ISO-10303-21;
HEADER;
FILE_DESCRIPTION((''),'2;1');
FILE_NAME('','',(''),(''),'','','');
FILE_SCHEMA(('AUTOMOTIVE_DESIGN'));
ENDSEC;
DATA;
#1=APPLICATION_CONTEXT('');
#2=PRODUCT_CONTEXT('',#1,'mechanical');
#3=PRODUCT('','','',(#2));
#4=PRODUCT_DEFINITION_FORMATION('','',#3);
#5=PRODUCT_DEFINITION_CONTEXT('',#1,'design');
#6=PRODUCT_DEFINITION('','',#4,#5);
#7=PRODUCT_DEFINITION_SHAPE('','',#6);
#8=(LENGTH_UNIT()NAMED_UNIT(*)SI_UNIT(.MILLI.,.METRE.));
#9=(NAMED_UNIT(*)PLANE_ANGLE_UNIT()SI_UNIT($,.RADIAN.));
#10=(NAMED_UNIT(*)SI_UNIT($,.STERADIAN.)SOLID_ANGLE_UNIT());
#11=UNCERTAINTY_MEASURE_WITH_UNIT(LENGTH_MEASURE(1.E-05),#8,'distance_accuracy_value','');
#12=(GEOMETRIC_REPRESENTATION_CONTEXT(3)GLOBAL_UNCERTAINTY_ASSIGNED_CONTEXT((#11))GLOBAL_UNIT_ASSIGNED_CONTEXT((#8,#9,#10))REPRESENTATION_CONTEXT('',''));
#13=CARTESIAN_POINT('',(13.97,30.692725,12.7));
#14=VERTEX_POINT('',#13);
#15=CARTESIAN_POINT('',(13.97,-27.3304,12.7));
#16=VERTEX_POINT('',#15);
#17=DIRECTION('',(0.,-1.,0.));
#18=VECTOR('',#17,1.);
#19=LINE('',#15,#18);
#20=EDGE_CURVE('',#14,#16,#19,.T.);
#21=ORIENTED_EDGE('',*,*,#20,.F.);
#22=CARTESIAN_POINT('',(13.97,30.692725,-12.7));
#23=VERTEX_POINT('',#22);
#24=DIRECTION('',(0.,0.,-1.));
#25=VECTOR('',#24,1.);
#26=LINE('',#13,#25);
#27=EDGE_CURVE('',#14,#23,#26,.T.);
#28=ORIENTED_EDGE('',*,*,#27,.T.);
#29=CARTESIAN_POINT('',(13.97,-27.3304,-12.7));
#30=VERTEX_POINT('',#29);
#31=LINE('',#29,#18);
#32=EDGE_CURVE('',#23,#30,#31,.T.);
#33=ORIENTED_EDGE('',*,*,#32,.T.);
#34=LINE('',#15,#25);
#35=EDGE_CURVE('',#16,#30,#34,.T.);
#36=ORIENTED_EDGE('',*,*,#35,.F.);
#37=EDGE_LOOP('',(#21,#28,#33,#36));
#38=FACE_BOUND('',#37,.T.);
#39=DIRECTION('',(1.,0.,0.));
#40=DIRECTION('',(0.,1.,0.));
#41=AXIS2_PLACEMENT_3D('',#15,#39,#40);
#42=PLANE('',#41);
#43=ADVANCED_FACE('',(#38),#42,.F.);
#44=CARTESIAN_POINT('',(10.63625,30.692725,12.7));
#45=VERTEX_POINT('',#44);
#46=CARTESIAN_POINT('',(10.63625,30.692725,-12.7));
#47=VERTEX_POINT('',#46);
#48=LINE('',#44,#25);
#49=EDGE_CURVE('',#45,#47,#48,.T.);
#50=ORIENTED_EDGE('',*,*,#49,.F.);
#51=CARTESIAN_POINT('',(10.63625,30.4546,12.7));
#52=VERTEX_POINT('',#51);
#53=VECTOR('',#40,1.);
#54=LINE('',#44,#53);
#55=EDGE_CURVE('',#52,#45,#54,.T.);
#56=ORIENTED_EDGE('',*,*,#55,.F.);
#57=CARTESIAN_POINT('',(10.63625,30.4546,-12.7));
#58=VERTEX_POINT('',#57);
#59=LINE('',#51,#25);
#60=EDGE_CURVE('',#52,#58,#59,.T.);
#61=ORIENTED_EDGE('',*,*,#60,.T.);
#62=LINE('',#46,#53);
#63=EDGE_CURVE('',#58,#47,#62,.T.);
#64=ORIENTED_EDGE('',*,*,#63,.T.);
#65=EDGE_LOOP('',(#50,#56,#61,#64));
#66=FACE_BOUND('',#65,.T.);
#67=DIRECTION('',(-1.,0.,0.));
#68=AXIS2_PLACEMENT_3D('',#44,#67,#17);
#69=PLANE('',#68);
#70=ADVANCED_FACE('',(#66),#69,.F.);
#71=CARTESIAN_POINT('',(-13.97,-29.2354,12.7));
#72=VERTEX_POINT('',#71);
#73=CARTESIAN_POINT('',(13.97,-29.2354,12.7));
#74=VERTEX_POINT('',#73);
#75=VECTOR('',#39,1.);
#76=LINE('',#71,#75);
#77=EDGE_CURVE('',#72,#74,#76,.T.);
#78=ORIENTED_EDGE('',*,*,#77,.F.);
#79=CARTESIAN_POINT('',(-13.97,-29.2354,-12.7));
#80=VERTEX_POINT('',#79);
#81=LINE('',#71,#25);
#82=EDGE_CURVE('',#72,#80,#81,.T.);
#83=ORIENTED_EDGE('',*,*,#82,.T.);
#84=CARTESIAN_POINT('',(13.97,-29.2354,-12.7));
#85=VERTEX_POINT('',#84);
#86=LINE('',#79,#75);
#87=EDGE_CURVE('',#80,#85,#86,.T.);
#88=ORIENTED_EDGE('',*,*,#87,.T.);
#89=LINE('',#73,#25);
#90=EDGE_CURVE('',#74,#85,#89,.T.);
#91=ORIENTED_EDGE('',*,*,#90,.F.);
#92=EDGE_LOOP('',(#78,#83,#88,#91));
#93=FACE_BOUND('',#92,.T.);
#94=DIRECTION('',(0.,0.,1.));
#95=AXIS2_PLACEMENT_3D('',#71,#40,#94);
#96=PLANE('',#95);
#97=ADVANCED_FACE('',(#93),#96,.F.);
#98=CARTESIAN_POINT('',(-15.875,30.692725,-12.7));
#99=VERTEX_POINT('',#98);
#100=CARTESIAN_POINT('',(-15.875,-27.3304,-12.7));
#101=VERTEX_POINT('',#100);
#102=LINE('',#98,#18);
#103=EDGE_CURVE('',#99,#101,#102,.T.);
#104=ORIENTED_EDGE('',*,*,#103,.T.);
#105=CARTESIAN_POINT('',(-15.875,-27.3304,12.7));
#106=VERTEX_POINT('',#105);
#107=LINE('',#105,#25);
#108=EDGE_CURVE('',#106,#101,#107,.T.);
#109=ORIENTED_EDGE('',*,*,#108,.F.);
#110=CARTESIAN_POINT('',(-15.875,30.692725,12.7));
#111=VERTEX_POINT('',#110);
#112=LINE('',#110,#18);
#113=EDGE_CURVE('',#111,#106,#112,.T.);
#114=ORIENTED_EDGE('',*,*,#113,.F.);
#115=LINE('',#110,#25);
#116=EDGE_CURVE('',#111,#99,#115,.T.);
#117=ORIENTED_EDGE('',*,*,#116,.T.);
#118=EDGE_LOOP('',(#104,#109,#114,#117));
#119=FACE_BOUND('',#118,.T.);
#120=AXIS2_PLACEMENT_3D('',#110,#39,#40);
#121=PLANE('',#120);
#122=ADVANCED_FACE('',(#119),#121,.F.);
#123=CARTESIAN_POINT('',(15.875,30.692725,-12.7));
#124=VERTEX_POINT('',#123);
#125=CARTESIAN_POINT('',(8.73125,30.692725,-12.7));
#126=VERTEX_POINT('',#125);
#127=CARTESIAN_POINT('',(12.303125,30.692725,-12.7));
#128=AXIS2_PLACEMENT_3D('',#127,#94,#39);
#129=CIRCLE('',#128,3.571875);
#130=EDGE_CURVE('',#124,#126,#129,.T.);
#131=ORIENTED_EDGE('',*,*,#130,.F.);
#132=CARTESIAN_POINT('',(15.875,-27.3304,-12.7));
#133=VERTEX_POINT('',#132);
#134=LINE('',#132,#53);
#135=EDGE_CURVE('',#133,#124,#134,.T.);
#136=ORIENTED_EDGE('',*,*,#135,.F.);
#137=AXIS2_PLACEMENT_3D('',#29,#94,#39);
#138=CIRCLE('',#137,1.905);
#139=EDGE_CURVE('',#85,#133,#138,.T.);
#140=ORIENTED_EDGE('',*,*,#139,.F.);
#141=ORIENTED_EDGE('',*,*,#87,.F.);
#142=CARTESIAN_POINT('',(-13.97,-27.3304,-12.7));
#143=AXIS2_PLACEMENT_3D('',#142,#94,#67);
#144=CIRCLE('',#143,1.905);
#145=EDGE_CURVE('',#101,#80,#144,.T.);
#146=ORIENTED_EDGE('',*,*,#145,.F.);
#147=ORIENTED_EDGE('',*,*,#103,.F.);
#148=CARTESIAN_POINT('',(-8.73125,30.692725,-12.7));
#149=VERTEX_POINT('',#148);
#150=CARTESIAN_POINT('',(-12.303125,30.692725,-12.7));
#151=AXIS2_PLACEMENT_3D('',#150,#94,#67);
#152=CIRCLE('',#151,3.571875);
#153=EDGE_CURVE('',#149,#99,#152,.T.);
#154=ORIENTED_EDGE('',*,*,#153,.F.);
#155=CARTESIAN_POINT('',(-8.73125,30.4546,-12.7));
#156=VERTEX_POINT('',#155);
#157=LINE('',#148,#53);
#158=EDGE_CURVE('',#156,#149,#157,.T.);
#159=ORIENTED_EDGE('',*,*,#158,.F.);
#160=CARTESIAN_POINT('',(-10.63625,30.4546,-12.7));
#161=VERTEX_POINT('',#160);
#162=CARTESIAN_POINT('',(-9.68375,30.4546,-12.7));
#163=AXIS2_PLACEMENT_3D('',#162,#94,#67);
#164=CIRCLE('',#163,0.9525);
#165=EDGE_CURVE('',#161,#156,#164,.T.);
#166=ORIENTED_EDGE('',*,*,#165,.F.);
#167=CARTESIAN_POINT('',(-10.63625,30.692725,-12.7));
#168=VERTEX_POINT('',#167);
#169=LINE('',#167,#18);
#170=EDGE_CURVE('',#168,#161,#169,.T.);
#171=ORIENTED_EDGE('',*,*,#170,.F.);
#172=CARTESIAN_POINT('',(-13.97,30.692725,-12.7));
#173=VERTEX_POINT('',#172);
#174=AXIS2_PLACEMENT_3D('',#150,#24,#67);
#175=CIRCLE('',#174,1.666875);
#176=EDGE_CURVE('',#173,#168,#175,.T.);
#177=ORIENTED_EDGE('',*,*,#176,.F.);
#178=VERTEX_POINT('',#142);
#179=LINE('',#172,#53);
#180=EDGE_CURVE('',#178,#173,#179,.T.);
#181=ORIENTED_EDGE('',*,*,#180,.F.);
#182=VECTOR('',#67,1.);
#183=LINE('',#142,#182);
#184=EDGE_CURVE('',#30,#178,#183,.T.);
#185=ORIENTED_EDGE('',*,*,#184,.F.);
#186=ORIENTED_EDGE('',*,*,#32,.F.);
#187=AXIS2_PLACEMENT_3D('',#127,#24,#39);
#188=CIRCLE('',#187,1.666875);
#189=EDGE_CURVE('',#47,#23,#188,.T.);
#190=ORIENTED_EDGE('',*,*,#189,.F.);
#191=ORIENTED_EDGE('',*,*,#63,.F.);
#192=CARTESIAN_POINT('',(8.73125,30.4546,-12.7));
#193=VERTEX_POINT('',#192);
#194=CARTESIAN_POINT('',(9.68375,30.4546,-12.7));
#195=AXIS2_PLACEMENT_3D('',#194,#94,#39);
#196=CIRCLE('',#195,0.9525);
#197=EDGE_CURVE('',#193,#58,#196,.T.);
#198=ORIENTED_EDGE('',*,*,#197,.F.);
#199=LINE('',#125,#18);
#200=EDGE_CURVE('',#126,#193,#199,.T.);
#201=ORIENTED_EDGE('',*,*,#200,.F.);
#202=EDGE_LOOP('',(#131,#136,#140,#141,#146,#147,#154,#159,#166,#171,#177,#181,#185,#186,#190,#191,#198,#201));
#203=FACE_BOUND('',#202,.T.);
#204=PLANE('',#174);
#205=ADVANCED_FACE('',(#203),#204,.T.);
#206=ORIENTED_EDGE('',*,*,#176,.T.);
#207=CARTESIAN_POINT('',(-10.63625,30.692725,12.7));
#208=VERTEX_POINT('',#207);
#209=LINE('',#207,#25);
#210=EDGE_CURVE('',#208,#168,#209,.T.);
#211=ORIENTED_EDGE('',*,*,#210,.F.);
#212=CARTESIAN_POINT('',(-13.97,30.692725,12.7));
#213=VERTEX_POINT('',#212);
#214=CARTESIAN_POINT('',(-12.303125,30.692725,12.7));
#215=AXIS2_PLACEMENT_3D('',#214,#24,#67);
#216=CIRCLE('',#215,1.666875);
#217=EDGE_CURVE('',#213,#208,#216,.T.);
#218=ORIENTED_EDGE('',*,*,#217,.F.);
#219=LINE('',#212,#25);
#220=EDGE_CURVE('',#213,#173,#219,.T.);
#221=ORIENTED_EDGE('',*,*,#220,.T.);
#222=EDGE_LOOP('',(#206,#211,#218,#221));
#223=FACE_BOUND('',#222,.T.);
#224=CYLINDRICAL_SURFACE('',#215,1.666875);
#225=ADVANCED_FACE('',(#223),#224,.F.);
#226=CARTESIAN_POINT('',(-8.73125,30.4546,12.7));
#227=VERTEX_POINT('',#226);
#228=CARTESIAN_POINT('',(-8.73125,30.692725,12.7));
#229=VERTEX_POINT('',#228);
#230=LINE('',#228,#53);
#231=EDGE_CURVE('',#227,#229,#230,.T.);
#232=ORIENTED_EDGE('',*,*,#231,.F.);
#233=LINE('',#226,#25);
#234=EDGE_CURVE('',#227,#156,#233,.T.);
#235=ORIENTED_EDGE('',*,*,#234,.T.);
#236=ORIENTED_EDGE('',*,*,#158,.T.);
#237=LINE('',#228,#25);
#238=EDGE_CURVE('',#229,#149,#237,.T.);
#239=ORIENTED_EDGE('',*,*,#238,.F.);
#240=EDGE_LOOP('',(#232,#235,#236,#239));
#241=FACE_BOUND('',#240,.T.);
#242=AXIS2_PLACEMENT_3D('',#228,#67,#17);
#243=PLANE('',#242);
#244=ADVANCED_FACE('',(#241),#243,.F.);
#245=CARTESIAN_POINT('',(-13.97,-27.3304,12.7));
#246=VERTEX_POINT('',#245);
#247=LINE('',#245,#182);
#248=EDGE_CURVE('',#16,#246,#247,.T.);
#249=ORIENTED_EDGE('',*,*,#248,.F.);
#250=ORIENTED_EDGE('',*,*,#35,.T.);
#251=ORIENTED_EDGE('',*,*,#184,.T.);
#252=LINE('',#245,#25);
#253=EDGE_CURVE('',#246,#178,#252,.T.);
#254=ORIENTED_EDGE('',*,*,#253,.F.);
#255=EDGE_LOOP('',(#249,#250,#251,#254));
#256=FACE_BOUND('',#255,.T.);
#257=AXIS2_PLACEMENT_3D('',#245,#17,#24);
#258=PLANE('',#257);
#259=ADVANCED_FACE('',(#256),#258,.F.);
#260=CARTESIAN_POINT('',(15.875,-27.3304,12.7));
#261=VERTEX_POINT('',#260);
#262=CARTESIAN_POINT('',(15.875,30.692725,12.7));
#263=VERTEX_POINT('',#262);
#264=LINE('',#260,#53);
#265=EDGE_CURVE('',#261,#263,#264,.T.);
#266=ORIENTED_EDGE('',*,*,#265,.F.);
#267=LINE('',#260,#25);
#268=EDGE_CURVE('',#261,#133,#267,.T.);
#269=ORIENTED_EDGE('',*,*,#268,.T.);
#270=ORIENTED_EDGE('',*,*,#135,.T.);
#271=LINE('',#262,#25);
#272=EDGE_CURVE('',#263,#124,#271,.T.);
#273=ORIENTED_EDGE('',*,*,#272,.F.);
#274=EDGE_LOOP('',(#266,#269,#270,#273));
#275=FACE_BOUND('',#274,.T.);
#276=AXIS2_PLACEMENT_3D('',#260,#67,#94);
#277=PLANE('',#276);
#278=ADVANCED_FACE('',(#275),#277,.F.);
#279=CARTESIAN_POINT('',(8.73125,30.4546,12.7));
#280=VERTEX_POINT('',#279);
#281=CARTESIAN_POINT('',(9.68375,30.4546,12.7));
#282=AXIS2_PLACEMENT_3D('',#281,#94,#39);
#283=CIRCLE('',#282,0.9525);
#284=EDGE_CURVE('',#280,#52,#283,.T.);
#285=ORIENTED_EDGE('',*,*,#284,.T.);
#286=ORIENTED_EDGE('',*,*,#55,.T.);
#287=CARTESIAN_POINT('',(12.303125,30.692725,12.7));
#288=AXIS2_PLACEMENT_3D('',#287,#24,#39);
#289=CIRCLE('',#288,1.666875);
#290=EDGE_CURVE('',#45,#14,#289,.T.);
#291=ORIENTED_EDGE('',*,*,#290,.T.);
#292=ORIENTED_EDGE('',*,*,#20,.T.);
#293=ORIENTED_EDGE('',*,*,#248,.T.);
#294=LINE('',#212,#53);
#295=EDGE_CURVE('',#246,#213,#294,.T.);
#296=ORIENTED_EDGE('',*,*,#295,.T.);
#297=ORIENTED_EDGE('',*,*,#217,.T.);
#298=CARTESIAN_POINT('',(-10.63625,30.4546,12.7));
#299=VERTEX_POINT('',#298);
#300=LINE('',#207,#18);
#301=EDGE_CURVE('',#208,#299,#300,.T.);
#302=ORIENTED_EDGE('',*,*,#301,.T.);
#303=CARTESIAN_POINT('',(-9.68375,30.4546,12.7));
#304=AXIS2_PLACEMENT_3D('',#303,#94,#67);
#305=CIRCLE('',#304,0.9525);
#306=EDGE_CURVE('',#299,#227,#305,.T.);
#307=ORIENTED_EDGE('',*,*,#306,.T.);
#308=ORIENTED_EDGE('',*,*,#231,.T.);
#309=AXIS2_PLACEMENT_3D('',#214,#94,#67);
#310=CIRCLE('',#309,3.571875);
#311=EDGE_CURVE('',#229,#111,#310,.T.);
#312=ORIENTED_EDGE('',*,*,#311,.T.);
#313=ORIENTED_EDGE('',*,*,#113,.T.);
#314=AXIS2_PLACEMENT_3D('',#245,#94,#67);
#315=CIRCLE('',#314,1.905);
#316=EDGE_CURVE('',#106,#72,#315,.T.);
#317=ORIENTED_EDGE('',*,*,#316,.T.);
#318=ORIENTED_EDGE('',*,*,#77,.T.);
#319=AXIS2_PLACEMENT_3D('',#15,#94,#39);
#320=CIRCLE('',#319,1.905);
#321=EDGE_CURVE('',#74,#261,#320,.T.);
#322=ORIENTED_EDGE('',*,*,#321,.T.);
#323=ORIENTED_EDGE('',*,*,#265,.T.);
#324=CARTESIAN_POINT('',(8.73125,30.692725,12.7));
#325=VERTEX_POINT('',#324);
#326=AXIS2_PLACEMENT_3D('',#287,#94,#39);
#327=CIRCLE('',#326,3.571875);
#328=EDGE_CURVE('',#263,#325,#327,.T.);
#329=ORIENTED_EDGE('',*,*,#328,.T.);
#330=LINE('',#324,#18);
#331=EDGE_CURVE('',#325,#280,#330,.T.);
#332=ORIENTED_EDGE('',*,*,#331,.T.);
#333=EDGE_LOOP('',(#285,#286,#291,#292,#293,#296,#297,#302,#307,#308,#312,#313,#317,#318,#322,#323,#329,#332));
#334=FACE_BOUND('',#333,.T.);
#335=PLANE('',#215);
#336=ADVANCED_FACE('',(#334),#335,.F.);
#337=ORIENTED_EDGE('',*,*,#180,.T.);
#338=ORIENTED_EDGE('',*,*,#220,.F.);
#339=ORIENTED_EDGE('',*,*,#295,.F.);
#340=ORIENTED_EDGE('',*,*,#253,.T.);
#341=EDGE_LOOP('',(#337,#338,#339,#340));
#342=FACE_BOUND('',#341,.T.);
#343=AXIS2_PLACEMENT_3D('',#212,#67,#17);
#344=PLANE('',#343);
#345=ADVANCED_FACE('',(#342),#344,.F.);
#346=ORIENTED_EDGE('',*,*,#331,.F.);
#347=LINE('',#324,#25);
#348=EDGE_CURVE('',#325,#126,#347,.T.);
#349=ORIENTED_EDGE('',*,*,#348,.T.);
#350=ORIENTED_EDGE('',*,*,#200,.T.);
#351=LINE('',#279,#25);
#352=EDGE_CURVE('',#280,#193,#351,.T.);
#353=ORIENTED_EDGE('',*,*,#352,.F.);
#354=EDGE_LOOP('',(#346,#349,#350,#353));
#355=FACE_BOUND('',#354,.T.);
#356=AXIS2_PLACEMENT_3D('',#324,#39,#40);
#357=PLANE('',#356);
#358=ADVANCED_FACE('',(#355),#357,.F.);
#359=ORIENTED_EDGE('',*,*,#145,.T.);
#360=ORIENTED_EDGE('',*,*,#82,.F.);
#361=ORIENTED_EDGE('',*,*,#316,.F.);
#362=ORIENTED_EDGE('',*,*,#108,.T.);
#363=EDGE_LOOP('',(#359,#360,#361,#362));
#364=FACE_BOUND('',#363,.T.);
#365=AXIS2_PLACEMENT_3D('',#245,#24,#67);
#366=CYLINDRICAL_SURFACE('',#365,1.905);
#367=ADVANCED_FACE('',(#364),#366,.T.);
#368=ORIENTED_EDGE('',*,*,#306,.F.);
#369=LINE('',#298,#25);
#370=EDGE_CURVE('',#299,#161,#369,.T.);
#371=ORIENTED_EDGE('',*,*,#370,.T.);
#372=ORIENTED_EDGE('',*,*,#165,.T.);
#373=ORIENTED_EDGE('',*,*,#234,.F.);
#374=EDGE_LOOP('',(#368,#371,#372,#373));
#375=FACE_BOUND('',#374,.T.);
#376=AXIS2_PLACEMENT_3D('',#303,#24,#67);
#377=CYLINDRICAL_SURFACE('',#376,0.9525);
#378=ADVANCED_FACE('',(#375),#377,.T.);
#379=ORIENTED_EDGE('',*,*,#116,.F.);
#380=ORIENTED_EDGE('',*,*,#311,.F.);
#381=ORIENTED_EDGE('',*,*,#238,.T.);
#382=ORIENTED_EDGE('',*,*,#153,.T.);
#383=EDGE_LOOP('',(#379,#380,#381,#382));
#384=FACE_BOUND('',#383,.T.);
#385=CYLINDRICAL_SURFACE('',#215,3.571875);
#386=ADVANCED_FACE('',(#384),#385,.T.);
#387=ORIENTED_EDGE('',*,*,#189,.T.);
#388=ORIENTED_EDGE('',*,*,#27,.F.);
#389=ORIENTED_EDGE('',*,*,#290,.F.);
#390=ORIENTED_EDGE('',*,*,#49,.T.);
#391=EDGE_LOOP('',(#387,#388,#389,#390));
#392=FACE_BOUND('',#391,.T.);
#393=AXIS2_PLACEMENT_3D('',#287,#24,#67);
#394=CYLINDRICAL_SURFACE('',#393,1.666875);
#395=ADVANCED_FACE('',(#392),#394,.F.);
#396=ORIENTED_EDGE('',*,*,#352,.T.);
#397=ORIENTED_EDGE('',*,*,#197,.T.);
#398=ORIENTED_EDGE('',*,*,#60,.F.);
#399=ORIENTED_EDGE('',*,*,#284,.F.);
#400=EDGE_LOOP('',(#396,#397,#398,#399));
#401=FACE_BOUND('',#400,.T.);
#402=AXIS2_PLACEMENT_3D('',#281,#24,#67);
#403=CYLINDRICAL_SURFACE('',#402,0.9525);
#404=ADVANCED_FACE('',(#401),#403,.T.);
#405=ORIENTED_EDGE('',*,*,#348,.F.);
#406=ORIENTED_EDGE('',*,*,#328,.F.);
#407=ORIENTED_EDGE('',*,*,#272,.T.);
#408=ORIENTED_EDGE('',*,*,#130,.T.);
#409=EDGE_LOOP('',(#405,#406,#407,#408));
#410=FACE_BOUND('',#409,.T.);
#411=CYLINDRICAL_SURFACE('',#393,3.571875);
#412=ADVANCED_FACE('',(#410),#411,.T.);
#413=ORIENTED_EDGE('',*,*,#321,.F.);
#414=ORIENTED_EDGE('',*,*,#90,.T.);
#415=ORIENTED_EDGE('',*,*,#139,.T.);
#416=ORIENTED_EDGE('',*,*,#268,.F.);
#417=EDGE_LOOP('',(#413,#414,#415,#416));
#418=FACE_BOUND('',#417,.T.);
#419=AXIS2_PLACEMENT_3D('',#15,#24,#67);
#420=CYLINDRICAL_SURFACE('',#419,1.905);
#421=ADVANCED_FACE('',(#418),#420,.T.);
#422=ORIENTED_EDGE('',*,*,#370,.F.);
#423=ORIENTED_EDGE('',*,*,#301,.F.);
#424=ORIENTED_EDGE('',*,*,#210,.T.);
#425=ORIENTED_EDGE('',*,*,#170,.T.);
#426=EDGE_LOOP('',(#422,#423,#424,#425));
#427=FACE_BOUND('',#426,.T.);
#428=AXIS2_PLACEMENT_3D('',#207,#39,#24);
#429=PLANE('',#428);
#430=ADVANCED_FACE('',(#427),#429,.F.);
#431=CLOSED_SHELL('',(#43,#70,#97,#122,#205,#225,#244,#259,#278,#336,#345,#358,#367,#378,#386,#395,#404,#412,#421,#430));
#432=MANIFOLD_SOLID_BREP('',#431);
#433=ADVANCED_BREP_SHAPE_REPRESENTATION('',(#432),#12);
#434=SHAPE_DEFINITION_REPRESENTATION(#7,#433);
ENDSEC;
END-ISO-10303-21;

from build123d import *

# Parameters (mm, degrees)
BASE_EXTRUDE_DEPTH = 12.7


with BuildPart() as part:
    # Sketch1 → Base-Extrude (new, symmetric)
    with BuildSketch(Plane.XY):
        with BuildLine():
            Line((-15.875, 30.692725), (-15.875, -27.3304))
            ThreePointArc((-15.875, -27.3304), (-15.317038418, -28.677438418), (-13.97, -29.2354))
            Line((-13.97, -29.2354), (13.97, -29.2354))
            ThreePointArc((13.97, -29.2354), (15.317038418, -28.677438418), (15.875, -27.3304))
            Line((15.875, -27.3304), (15.875, 30.692725))
            ThreePointArc((15.875, 30.692725), (12.303125, 34.2646), (8.73125, 30.692725))
            Line((8.73125, 30.692725), (8.73125, 30.4546))
            ThreePointArc((8.73125, 30.4546), (9.68375, 29.5021), (10.63625, 30.4546))
            Line((10.63625, 30.4546), (10.63625, 30.692725))
            ThreePointArc((10.63625, 30.692725), (12.303125, 32.3596), (13.97, 30.692725))
            Line((13.97, 30.692725), (13.97, -27.3304))
            Line((13.97, -27.3304), (-13.97, -27.3304))
            Line((-13.97, -27.3304), (-13.97, 30.692725))
            ThreePointArc((-13.97, 30.692725), (-12.303125, 32.3596), (-10.63625, 30.692725))
            Line((-10.63625, 30.692725), (-10.63625, 30.4546))
            ThreePointArc((-10.63625, 30.4546), (-9.68375, 29.5021), (-8.73125, 30.4546))
            Line((-8.73125, 30.4546), (-8.73125, 30.692725))
            ThreePointArc((-8.73125, 30.692725), (-12.303125, 34.2646), (-15.875, 30.692725))
        make_face()
    extrude(amount=BASE_EXTRUDE_DEPTH, both=True)


solid = part.part
